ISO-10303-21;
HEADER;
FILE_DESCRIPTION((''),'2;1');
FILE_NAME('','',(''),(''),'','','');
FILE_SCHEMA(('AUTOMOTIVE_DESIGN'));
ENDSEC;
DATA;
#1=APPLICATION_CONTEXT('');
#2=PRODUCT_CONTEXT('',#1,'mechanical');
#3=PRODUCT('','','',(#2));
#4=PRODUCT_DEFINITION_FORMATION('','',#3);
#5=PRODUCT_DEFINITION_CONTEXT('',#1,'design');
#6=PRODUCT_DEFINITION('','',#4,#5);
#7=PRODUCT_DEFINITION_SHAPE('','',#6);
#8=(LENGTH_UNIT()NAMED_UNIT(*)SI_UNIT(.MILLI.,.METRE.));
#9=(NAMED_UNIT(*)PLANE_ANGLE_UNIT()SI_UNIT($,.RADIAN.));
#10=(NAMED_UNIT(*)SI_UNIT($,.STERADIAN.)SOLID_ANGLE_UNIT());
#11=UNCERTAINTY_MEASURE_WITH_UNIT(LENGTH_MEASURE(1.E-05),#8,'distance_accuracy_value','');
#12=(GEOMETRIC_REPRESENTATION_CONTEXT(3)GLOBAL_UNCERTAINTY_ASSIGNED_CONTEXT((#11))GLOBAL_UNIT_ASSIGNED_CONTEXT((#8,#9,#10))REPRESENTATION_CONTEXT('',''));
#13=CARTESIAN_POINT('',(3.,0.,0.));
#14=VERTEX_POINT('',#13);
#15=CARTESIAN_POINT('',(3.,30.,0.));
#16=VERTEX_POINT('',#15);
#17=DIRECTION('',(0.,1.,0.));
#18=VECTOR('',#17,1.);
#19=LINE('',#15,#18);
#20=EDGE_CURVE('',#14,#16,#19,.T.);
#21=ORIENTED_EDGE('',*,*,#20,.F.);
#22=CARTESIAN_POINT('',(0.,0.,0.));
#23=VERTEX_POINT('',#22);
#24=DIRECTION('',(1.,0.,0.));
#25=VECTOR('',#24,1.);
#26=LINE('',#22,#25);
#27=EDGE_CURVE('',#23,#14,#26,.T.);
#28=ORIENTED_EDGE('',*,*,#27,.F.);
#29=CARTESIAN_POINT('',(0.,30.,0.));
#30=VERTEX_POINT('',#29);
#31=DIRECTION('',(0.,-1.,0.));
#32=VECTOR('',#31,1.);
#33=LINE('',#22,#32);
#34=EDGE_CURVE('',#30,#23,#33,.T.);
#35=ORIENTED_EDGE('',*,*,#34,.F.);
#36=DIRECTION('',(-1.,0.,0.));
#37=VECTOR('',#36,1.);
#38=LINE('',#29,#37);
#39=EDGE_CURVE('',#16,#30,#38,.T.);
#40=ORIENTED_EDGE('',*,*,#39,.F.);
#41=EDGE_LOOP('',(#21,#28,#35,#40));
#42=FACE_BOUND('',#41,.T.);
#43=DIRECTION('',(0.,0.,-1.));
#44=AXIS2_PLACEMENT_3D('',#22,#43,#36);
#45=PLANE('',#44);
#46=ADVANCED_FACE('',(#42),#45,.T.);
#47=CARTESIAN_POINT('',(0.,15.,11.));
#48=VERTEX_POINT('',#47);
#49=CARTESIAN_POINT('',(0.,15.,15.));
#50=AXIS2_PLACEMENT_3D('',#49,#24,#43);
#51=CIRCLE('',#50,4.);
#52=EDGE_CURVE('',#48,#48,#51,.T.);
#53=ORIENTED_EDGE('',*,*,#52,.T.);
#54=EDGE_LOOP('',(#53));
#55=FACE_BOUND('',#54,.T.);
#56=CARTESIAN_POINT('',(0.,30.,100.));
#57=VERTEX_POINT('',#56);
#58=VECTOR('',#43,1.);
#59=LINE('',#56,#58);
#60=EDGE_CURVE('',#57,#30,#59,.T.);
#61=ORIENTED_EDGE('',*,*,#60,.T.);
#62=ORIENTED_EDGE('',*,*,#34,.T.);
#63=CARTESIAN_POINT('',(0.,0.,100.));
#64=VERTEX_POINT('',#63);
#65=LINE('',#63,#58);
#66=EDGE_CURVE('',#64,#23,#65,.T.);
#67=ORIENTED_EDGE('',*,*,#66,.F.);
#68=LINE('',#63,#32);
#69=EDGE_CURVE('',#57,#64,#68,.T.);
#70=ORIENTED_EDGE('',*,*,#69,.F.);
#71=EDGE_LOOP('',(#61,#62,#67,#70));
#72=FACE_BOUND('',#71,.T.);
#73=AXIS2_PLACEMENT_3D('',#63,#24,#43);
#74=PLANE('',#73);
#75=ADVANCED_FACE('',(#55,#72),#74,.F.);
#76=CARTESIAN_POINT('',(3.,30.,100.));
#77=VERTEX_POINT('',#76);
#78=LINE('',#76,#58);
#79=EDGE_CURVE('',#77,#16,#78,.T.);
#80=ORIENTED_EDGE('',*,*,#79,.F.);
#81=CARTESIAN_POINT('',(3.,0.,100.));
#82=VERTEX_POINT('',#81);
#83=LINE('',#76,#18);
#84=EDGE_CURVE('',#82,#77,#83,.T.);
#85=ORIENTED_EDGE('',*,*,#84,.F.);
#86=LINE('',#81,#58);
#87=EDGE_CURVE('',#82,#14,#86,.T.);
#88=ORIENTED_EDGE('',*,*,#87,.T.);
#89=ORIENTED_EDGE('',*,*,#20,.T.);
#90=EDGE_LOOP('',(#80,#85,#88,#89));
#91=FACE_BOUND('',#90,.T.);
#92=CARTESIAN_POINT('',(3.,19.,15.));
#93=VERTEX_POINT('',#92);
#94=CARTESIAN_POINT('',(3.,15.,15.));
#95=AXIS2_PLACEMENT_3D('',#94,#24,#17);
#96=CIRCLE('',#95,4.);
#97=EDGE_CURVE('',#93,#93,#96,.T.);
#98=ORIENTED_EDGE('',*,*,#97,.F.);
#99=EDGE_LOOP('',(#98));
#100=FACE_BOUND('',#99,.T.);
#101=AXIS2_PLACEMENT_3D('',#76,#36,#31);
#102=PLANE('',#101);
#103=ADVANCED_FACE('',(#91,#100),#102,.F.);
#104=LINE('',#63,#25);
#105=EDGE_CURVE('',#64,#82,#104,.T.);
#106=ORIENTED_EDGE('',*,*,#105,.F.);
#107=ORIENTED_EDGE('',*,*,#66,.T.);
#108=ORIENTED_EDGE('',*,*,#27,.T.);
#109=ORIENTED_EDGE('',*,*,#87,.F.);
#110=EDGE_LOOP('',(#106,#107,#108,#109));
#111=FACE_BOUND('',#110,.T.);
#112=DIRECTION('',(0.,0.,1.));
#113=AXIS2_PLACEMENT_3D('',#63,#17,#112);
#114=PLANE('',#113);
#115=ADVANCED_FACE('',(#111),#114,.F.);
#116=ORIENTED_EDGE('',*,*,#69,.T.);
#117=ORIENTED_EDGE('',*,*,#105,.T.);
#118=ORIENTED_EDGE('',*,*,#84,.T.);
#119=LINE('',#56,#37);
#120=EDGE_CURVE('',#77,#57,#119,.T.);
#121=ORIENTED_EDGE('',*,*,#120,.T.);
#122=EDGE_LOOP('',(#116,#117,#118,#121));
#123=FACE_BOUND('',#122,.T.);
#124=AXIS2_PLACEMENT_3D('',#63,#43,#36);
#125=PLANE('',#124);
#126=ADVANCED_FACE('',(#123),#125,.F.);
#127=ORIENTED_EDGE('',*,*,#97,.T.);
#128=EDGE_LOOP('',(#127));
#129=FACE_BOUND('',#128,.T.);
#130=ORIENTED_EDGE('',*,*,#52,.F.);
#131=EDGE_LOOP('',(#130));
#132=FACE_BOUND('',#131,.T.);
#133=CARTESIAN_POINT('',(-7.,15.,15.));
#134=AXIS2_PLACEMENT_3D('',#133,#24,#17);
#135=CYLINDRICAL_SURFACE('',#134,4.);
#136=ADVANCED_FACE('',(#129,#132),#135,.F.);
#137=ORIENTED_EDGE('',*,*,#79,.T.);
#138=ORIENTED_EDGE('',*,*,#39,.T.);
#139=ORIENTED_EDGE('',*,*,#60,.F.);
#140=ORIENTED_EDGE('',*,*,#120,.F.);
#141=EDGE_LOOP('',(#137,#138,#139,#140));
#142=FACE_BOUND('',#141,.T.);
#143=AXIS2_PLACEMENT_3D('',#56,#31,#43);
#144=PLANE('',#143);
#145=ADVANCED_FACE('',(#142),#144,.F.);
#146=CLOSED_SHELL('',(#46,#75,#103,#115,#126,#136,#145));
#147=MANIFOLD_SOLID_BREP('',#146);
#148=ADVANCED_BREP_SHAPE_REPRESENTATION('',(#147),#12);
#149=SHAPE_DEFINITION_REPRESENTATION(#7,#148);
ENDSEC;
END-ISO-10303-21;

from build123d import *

# Parameters (mm, degrees)
SKETCH1_W           = 3
SKETCH1_H           = 30
BOSS_EXTRUDE1_DEPTH = 100
SKETCH3_R           = 4
CUT_EXTRUDE2_DEPTH  = 10


with BuildPart() as part:
    # Sketch1 → Boss-Extrude1 (new body)
    with BuildSketch(Plane.XY):
        with Locations((1.5, 15)):
            Rectangle(SKETCH1_W, SKETCH1_H)
    extrude(amount=BOSS_EXTRUDE1_DEPTH)

    # Sketch3 → Cut-Extrude2 (cut)
    with BuildSketch(Plane(origin=(3, 0, 0), x_dir=(0, 0, -1), z_dir=(1, 0, 0))):
        with Locations(Location((-15, 15, 0), (0, 0, 90))):
            Circle(SKETCH3_R)
    extrude(amount=-CUT_EXTRUDE2_DEPTH, mode=Mode.SUBTRACT)


solid = part.part
